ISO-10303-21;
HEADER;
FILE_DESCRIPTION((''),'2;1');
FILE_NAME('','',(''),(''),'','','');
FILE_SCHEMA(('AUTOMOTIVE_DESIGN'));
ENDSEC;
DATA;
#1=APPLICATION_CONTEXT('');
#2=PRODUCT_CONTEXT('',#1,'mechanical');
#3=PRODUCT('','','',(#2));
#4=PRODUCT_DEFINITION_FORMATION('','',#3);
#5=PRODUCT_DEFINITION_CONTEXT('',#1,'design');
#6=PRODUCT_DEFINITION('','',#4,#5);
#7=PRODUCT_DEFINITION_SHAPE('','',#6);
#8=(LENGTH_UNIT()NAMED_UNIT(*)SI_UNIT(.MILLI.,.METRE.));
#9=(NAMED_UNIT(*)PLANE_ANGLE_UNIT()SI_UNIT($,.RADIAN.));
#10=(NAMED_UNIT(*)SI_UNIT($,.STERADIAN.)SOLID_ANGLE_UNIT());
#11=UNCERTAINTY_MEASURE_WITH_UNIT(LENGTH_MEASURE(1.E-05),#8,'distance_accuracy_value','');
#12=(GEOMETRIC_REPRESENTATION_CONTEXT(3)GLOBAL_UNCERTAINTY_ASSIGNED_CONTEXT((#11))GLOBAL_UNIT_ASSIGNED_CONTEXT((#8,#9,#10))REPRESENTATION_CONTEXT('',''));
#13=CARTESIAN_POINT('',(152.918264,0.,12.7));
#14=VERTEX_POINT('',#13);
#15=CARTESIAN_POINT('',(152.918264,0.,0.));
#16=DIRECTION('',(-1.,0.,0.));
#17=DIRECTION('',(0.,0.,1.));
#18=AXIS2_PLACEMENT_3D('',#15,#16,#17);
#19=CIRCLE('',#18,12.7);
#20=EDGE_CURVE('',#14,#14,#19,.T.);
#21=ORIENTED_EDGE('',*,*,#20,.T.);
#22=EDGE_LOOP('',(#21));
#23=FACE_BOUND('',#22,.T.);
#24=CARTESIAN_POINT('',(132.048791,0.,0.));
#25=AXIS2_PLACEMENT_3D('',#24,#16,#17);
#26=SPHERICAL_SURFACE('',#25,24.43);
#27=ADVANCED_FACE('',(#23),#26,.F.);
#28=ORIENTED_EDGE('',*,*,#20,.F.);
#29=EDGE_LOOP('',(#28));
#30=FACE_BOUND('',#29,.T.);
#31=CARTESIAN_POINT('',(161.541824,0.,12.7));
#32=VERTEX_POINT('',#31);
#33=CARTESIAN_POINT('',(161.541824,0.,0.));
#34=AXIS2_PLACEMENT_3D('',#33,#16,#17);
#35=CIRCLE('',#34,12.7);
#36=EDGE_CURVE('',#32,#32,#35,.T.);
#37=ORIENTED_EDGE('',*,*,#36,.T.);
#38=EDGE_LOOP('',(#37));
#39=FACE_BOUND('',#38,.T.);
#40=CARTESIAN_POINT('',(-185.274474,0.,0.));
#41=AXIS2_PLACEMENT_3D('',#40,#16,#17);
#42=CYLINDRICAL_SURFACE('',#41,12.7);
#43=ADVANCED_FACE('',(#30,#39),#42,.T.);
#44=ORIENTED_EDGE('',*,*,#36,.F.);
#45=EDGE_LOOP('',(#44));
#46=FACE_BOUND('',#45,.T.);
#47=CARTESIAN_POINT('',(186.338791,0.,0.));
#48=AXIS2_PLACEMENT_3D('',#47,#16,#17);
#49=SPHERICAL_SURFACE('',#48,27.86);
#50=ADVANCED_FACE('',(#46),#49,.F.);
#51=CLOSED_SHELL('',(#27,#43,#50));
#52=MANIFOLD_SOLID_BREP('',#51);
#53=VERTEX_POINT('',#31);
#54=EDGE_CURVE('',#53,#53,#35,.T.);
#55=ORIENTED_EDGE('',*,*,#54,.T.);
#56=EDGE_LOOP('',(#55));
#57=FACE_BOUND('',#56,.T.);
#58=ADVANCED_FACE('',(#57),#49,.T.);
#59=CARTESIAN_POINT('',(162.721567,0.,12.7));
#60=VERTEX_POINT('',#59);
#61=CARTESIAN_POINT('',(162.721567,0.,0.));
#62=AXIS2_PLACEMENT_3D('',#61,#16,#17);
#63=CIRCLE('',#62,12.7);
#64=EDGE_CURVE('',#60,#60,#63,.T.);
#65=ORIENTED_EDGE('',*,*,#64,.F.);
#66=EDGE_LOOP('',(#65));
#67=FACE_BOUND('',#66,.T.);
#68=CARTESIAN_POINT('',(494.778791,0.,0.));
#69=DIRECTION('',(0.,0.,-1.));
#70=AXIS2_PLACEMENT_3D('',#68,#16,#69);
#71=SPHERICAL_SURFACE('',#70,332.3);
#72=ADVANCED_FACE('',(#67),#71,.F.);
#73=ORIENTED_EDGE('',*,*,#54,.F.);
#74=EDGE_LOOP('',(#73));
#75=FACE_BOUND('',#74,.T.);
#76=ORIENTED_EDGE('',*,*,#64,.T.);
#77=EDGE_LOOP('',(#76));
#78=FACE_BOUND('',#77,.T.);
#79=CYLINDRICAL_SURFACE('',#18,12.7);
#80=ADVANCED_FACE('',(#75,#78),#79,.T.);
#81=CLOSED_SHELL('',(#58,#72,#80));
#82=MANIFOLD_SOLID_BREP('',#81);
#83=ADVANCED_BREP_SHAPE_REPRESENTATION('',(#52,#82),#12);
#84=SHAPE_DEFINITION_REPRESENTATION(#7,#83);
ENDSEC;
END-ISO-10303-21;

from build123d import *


with BuildPart() as part:
    # 草图1 one side → 旋转1 (revolve)
    with BuildSketch(Plane(origin=(0, 0, 0), x_dir=(1, 0, 0), z_dir=(0, 1, 0)), mode=Mode.PRIVATE) as revolve_1_sk:
        with BuildLine():
            Line((161.541823758, 12.7), (152.918264236, 12.7))
            ThreePointArc((152.918264236, 12.7), (155.571823894, 6.594834211), (156.478791315, 0))
            Line((156.478791315, 0), (158.478791315, 0))
            ThreePointArc((158.478791315, 0), (159.255372807, 6.532077919), (161.541823758, 12.7))
        make_face()
    revolve(revolve_1_sk.sketch.rotate(Axis((-185.274474051, 0, 0), (1, 0, 0)), 180), axis=Axis((-185.274474051, 0, 0), (1, 0, 0)))  # turned: the seam where the file's is


with BuildPart() as body_2:
    # 草图2 one side → 旋转3 (revolve)
    with BuildSketch(Plane(origin=(0, 0, 0), x_dir=(1, 0, 0), z_dir=(0, 1, 0)), mode=Mode.PRIVATE) as revolve_3_sk:
        with BuildLine():
            Line((162.721567331, 12.7), (161.541823758, 12.7))
            ThreePointArc((161.541823758, 12.7), (159.255372807, 6.532077919), (158.478791315, 0))
            Line((158.478791315, 0), (162.478791315, 0))
            ThreePointArc((162.478791315, 0), (162.539490862, 6.351160134), (162.721567331, 12.7))
        make_face()
    revolve(revolve_3_sk.sketch.rotate(Axis((152.918264236, 0, 0), (1, 0, 0)), 180), axis=Axis((152.918264236, 0, 0), (1, 0, 0)))  # turned: the seam where the file's is


solid = Compound([part.part, body_2.part])
